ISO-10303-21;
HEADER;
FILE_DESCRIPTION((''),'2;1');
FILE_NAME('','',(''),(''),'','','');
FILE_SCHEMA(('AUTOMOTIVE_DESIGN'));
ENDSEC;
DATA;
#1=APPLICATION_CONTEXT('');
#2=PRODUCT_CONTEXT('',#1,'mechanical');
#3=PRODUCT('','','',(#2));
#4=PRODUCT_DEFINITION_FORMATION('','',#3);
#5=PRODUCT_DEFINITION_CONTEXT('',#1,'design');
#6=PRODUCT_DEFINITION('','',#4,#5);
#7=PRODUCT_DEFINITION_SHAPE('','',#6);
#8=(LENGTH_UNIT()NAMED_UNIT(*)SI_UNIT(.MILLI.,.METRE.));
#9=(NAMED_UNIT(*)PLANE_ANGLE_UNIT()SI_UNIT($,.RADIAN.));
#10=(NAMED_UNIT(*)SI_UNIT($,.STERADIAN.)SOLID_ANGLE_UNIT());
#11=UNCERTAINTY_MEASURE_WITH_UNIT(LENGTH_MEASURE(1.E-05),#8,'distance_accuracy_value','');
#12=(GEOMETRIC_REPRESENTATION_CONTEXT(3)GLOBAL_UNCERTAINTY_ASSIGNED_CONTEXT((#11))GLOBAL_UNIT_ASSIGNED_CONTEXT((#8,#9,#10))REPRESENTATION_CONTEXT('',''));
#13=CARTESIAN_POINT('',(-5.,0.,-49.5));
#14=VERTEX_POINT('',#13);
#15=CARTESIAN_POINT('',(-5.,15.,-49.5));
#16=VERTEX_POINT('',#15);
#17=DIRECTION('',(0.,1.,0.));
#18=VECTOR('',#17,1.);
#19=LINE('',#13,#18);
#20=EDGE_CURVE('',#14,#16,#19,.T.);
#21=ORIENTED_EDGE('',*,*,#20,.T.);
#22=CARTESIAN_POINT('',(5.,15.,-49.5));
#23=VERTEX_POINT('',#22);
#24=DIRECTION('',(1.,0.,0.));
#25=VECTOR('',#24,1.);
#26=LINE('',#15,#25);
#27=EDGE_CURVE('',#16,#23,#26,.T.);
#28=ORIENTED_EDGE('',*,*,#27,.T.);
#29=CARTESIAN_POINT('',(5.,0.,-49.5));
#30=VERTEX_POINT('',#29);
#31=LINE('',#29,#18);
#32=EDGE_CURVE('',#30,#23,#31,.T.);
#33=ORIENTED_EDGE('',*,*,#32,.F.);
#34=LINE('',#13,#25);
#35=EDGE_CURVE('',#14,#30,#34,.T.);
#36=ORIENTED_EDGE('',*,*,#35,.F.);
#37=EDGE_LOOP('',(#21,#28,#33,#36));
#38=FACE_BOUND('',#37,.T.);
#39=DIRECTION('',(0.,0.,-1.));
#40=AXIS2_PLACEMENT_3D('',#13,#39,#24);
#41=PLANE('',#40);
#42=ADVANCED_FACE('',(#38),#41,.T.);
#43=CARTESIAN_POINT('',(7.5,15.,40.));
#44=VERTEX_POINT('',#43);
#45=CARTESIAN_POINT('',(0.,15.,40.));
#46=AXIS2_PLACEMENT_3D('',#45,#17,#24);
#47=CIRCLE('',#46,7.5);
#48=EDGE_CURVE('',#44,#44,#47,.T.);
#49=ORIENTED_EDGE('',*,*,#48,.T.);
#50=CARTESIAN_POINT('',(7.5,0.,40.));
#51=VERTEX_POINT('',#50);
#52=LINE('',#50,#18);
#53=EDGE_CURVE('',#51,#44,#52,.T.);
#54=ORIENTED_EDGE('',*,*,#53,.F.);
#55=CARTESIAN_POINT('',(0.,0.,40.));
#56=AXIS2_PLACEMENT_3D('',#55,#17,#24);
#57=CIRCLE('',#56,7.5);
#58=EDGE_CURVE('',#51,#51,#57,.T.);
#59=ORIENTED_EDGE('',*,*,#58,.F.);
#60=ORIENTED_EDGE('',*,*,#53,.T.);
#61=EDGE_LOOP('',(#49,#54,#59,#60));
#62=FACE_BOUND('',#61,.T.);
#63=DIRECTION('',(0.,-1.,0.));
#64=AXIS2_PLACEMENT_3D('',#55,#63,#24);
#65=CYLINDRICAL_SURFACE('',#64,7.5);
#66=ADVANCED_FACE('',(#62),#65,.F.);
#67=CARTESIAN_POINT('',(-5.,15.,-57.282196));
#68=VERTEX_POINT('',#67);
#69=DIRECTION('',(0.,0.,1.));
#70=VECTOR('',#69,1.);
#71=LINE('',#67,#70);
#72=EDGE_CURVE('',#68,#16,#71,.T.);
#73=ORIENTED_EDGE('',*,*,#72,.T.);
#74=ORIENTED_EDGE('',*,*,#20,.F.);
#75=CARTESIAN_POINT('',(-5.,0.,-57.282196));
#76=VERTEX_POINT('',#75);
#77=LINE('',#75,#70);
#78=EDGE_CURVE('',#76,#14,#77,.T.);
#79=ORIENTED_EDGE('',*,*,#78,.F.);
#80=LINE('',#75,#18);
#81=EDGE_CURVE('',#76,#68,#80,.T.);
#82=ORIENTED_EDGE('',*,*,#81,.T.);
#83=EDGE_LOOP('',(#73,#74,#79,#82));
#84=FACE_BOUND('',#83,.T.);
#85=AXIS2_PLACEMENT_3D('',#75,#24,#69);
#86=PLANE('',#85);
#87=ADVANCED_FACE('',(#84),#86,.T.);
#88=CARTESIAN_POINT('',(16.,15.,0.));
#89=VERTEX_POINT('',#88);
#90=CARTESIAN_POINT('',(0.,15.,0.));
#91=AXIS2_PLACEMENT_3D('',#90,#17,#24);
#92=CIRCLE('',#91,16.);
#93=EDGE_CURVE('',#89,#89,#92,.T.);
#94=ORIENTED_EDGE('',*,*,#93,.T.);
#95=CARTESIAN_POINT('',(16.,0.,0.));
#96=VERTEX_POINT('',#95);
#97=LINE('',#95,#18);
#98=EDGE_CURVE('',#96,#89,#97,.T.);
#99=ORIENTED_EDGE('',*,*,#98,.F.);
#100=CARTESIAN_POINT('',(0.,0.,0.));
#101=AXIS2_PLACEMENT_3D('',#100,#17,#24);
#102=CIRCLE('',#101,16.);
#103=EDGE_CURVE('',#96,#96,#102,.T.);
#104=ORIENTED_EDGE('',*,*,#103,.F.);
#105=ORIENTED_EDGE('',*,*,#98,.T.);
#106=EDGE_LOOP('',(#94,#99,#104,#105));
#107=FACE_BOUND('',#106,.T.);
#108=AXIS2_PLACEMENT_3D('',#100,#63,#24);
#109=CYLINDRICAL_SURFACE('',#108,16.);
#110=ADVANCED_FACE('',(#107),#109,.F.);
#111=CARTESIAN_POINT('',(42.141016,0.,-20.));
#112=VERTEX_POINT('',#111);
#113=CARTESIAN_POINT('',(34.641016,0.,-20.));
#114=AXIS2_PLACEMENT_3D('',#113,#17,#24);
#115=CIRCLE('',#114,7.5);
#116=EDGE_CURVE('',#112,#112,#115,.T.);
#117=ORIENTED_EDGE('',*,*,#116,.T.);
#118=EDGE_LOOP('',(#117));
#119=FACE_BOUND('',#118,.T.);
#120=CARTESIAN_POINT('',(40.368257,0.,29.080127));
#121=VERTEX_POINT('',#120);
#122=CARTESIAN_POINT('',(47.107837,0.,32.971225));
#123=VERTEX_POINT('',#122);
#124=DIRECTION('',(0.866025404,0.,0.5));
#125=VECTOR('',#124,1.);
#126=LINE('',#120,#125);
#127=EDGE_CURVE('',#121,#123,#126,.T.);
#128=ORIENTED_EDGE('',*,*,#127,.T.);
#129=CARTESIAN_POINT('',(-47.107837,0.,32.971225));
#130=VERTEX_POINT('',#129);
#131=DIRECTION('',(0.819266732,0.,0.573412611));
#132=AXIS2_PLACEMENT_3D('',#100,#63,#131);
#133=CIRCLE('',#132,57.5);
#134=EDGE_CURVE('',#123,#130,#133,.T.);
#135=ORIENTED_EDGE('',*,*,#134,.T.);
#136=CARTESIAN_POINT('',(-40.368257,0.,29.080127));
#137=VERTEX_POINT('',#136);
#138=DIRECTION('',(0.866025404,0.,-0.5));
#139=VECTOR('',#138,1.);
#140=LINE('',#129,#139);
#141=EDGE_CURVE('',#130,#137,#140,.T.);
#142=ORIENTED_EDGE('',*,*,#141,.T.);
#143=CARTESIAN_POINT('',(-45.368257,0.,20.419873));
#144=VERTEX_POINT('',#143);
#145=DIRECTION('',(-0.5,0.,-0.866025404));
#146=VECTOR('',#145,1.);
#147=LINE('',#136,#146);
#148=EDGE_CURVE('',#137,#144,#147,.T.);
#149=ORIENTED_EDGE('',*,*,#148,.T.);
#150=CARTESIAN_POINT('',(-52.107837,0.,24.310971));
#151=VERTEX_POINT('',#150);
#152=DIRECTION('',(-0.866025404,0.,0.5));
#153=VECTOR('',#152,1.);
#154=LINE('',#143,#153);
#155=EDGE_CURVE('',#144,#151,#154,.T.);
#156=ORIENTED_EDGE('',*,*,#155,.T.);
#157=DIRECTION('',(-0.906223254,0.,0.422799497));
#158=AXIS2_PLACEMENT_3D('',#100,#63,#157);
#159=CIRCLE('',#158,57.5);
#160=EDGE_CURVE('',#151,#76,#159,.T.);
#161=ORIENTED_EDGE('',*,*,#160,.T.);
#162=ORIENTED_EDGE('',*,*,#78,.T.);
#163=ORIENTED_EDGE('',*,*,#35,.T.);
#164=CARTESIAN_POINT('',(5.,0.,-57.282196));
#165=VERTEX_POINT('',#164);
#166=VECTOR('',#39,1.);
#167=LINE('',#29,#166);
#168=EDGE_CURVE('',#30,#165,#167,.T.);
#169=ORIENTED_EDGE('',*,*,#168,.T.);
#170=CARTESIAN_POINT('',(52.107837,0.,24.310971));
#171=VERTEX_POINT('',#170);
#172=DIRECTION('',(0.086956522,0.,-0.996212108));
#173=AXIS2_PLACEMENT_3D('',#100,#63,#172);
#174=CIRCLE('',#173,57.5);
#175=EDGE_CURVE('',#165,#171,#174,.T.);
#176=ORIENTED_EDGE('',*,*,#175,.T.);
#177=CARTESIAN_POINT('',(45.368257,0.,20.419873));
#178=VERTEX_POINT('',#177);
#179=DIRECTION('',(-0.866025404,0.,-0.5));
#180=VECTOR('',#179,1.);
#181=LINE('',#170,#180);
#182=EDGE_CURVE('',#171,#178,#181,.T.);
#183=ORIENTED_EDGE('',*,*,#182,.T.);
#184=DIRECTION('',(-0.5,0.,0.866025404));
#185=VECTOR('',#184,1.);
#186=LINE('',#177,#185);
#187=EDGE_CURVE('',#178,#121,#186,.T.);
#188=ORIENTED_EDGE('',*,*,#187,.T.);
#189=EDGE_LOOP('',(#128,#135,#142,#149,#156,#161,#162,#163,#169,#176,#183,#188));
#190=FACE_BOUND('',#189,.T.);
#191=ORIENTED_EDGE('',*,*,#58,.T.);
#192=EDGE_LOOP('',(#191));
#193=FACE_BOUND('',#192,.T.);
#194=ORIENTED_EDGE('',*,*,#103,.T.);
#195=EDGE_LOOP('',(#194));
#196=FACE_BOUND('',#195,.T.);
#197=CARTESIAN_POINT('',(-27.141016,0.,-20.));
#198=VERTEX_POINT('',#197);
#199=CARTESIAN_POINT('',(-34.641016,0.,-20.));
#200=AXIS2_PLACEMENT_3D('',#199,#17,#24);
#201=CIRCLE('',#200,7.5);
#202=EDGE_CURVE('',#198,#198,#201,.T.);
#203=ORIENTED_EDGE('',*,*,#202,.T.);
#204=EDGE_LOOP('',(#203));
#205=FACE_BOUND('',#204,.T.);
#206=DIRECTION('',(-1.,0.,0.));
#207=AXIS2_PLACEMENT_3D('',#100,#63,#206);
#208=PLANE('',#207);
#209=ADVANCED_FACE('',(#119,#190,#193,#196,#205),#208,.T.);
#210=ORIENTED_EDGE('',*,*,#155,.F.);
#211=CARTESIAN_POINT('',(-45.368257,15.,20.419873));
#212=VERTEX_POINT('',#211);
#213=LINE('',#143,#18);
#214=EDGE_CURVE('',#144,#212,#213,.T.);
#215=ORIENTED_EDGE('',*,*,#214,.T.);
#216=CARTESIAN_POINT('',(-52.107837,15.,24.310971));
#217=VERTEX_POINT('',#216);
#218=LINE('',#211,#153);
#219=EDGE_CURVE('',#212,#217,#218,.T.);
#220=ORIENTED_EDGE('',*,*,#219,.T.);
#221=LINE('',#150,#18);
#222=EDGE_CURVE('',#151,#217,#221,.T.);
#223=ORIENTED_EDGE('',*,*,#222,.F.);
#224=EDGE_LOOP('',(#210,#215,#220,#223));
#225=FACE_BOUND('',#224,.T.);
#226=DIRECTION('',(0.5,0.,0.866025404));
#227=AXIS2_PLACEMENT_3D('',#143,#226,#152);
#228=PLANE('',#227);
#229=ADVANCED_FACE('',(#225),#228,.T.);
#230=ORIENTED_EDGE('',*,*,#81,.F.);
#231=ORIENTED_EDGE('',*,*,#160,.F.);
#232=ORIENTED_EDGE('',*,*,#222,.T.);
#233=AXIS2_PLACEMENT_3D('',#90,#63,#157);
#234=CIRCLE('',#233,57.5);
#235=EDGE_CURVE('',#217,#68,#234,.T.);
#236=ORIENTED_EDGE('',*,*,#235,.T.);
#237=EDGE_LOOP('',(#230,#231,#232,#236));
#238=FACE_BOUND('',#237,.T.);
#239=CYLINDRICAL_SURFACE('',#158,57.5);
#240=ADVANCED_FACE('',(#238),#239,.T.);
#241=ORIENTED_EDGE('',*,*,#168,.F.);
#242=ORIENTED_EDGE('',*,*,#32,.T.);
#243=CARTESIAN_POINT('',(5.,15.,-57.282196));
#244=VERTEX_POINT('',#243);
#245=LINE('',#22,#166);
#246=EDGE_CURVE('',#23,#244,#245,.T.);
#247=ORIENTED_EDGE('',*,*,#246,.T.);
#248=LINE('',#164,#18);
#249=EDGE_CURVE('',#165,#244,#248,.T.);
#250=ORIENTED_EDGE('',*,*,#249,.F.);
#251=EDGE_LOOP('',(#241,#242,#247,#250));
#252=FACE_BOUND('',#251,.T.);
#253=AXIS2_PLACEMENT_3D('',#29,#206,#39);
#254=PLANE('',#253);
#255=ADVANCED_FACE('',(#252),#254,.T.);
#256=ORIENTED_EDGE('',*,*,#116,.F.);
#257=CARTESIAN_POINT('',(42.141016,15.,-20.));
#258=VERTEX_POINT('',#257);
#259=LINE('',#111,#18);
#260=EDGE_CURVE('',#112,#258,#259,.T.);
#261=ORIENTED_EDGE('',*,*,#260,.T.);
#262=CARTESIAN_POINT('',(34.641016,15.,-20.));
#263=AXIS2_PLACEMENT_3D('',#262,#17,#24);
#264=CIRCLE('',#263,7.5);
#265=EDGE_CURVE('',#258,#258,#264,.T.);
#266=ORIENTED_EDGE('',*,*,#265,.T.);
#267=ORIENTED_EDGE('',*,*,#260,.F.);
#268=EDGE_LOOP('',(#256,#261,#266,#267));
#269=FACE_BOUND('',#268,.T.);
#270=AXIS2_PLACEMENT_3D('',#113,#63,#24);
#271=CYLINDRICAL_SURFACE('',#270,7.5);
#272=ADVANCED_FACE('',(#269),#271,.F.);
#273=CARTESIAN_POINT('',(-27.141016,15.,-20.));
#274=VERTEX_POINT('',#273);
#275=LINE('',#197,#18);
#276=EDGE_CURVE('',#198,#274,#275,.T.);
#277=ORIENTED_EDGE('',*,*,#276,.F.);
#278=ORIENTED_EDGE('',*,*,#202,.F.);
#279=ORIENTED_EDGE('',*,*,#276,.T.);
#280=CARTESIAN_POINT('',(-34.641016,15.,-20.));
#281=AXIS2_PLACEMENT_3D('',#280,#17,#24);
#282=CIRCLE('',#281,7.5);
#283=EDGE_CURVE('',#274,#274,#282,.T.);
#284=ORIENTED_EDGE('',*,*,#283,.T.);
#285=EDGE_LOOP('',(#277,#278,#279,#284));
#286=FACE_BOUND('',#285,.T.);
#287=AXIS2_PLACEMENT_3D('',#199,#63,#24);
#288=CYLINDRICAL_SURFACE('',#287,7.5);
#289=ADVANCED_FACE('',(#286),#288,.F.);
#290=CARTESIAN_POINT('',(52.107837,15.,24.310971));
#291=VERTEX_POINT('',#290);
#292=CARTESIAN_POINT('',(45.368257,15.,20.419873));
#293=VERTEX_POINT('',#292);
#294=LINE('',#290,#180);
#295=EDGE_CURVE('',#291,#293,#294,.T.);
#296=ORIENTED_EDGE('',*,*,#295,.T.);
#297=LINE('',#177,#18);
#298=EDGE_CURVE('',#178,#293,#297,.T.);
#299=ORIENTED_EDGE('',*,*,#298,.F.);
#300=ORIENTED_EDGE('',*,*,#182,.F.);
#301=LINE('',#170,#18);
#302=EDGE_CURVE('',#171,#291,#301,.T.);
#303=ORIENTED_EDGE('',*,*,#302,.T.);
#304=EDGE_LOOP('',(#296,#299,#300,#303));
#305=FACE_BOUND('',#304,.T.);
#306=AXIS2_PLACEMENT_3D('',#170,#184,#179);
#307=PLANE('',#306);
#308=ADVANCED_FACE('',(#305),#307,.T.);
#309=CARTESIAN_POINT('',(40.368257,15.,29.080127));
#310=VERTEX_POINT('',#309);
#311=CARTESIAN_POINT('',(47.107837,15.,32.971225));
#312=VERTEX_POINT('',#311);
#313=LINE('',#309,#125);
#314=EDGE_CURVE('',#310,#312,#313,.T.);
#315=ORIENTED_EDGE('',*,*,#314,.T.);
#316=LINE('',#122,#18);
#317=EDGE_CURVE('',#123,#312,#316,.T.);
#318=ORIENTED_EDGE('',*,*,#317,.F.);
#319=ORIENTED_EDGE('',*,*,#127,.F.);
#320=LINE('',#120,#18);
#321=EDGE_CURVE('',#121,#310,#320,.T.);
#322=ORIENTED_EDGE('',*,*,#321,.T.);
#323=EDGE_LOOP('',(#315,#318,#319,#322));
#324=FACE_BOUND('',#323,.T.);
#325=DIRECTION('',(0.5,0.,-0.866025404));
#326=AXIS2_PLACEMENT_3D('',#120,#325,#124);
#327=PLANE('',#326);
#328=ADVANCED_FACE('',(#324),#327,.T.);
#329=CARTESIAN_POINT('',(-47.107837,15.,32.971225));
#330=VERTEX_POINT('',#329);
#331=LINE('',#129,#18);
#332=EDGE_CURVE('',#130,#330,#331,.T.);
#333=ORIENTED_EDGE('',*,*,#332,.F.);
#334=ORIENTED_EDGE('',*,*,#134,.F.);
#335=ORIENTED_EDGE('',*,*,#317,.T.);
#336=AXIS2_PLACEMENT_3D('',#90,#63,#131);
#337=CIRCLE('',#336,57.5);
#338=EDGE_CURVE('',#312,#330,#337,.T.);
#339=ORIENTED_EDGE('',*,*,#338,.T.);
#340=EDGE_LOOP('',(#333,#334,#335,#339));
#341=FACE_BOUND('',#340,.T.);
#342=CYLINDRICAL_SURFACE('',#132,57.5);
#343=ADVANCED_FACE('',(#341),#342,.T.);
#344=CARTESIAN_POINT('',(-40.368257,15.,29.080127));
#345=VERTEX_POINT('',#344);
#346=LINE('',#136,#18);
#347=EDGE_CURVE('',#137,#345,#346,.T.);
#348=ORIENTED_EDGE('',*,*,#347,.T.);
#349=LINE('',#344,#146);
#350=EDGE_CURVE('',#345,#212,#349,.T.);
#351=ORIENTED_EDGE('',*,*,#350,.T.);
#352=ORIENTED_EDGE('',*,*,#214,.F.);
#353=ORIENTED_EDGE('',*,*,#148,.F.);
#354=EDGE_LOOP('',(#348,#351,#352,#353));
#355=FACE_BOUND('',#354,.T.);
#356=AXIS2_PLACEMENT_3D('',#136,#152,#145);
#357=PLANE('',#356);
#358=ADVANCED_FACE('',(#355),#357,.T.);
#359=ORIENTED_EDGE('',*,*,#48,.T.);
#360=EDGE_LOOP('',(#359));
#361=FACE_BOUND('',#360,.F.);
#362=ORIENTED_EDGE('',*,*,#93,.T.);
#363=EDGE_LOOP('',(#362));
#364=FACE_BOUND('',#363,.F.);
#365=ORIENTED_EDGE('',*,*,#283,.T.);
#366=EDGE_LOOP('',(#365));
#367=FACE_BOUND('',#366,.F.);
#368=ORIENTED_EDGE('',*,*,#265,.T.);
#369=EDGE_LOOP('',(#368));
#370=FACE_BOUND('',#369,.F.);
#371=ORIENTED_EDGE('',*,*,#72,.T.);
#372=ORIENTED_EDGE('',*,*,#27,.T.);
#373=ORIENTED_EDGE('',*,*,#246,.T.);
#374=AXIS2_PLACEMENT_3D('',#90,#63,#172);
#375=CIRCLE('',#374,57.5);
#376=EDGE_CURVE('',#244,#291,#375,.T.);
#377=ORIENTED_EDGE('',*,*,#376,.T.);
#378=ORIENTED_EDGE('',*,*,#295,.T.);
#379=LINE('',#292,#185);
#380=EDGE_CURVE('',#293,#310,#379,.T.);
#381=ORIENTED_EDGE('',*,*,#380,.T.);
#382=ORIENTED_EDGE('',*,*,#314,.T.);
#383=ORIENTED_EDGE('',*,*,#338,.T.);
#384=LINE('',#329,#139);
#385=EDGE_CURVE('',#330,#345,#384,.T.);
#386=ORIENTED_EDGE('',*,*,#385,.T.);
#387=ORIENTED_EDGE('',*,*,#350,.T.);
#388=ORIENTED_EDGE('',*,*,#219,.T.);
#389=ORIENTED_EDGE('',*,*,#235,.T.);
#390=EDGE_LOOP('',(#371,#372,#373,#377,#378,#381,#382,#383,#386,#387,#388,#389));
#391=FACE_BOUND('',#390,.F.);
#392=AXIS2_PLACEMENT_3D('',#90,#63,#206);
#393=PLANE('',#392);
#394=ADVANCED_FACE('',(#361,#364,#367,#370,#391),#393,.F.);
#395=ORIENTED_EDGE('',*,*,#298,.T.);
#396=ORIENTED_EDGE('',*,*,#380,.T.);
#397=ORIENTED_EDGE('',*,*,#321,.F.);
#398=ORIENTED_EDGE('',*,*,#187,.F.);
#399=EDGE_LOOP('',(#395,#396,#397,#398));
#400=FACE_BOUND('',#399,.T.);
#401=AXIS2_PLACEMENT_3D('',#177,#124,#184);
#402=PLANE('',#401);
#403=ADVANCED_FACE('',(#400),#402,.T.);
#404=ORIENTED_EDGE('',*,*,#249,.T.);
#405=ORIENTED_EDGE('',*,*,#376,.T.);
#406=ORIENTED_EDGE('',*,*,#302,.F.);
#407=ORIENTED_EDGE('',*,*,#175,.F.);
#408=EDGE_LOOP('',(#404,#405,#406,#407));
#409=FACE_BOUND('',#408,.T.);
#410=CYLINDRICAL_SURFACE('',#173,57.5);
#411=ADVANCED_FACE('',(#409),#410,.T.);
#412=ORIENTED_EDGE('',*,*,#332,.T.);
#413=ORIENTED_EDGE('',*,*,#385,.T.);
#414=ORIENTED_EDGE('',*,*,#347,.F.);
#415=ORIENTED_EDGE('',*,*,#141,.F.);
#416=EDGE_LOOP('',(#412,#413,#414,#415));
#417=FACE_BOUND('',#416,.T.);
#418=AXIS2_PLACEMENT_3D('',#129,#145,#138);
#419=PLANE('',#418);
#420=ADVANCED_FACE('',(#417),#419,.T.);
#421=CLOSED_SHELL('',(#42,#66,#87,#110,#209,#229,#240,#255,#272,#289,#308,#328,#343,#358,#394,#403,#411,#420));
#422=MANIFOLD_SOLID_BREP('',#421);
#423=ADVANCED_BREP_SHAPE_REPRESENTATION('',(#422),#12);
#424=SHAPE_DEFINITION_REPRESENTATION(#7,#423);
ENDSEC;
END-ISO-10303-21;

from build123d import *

# Parameters (mm, degrees)
SKETCH1_R           = 16
SKETCH1_R_2         = 7.5
BOSS_EXTRUDE1_DEPTH = 15


with BuildPart() as part:
    # Sketch1 → Boss-Extrude1 (new body)
    with BuildSketch(Plane(origin=(0, 0, 0), x_dir=(1, 0, 0), z_dir=(0, 1, 0))):
        with BuildLine():
            Line((-5, 57.282196187), (-5, 49.5))
            Line((-5, 49.5), (5, 49.5))
            Line((5, 49.5), (5, 57.282196187))
            ThreePointArc((5, 57.282196187), (49.796460718, 28.75), (52.107837082, -24.310971075))
            Line((52.107837082, -24.310971075), (45.368257487, -20.419872981))
            Line((45.368257487, -20.419872981), (40.368257487, -29.080127019))
            Line((40.368257487, -29.080127019), (47.107837082, -32.971225112))
            ThreePointArc((47.107837082, -32.971225112), (0, -57.5), (-47.107837082, -32.971225112))
            Line((-47.107837082, -32.971225112), (-40.368257487, -29.080127019))
            Line((-40.368257487, -29.080127019), (-45.368257487, -20.419872981))
            Line((-45.368257487, -20.419872981), (-52.107837082, -24.310971075))
            ThreePointArc((-52.107837082, -24.310971075), (-49.796460718, 28.75), (-5, 57.282196187))
        make_face()
        Circle(SKETCH1_R, mode=Mode.SUBTRACT)
        with Locations((34.641016151, 20)):
            Circle(SKETCH1_R_2, mode=Mode.SUBTRACT)
        with Locations((0, -40)):
            Circle(SKETCH1_R_2, mode=Mode.SUBTRACT)
        with Locations((-34.641016151, 20)):
            Circle(SKETCH1_R_2, mode=Mode.SUBTRACT)
    extrude(amount=BOSS_EXTRUDE1_DEPTH)


solid = part.part
